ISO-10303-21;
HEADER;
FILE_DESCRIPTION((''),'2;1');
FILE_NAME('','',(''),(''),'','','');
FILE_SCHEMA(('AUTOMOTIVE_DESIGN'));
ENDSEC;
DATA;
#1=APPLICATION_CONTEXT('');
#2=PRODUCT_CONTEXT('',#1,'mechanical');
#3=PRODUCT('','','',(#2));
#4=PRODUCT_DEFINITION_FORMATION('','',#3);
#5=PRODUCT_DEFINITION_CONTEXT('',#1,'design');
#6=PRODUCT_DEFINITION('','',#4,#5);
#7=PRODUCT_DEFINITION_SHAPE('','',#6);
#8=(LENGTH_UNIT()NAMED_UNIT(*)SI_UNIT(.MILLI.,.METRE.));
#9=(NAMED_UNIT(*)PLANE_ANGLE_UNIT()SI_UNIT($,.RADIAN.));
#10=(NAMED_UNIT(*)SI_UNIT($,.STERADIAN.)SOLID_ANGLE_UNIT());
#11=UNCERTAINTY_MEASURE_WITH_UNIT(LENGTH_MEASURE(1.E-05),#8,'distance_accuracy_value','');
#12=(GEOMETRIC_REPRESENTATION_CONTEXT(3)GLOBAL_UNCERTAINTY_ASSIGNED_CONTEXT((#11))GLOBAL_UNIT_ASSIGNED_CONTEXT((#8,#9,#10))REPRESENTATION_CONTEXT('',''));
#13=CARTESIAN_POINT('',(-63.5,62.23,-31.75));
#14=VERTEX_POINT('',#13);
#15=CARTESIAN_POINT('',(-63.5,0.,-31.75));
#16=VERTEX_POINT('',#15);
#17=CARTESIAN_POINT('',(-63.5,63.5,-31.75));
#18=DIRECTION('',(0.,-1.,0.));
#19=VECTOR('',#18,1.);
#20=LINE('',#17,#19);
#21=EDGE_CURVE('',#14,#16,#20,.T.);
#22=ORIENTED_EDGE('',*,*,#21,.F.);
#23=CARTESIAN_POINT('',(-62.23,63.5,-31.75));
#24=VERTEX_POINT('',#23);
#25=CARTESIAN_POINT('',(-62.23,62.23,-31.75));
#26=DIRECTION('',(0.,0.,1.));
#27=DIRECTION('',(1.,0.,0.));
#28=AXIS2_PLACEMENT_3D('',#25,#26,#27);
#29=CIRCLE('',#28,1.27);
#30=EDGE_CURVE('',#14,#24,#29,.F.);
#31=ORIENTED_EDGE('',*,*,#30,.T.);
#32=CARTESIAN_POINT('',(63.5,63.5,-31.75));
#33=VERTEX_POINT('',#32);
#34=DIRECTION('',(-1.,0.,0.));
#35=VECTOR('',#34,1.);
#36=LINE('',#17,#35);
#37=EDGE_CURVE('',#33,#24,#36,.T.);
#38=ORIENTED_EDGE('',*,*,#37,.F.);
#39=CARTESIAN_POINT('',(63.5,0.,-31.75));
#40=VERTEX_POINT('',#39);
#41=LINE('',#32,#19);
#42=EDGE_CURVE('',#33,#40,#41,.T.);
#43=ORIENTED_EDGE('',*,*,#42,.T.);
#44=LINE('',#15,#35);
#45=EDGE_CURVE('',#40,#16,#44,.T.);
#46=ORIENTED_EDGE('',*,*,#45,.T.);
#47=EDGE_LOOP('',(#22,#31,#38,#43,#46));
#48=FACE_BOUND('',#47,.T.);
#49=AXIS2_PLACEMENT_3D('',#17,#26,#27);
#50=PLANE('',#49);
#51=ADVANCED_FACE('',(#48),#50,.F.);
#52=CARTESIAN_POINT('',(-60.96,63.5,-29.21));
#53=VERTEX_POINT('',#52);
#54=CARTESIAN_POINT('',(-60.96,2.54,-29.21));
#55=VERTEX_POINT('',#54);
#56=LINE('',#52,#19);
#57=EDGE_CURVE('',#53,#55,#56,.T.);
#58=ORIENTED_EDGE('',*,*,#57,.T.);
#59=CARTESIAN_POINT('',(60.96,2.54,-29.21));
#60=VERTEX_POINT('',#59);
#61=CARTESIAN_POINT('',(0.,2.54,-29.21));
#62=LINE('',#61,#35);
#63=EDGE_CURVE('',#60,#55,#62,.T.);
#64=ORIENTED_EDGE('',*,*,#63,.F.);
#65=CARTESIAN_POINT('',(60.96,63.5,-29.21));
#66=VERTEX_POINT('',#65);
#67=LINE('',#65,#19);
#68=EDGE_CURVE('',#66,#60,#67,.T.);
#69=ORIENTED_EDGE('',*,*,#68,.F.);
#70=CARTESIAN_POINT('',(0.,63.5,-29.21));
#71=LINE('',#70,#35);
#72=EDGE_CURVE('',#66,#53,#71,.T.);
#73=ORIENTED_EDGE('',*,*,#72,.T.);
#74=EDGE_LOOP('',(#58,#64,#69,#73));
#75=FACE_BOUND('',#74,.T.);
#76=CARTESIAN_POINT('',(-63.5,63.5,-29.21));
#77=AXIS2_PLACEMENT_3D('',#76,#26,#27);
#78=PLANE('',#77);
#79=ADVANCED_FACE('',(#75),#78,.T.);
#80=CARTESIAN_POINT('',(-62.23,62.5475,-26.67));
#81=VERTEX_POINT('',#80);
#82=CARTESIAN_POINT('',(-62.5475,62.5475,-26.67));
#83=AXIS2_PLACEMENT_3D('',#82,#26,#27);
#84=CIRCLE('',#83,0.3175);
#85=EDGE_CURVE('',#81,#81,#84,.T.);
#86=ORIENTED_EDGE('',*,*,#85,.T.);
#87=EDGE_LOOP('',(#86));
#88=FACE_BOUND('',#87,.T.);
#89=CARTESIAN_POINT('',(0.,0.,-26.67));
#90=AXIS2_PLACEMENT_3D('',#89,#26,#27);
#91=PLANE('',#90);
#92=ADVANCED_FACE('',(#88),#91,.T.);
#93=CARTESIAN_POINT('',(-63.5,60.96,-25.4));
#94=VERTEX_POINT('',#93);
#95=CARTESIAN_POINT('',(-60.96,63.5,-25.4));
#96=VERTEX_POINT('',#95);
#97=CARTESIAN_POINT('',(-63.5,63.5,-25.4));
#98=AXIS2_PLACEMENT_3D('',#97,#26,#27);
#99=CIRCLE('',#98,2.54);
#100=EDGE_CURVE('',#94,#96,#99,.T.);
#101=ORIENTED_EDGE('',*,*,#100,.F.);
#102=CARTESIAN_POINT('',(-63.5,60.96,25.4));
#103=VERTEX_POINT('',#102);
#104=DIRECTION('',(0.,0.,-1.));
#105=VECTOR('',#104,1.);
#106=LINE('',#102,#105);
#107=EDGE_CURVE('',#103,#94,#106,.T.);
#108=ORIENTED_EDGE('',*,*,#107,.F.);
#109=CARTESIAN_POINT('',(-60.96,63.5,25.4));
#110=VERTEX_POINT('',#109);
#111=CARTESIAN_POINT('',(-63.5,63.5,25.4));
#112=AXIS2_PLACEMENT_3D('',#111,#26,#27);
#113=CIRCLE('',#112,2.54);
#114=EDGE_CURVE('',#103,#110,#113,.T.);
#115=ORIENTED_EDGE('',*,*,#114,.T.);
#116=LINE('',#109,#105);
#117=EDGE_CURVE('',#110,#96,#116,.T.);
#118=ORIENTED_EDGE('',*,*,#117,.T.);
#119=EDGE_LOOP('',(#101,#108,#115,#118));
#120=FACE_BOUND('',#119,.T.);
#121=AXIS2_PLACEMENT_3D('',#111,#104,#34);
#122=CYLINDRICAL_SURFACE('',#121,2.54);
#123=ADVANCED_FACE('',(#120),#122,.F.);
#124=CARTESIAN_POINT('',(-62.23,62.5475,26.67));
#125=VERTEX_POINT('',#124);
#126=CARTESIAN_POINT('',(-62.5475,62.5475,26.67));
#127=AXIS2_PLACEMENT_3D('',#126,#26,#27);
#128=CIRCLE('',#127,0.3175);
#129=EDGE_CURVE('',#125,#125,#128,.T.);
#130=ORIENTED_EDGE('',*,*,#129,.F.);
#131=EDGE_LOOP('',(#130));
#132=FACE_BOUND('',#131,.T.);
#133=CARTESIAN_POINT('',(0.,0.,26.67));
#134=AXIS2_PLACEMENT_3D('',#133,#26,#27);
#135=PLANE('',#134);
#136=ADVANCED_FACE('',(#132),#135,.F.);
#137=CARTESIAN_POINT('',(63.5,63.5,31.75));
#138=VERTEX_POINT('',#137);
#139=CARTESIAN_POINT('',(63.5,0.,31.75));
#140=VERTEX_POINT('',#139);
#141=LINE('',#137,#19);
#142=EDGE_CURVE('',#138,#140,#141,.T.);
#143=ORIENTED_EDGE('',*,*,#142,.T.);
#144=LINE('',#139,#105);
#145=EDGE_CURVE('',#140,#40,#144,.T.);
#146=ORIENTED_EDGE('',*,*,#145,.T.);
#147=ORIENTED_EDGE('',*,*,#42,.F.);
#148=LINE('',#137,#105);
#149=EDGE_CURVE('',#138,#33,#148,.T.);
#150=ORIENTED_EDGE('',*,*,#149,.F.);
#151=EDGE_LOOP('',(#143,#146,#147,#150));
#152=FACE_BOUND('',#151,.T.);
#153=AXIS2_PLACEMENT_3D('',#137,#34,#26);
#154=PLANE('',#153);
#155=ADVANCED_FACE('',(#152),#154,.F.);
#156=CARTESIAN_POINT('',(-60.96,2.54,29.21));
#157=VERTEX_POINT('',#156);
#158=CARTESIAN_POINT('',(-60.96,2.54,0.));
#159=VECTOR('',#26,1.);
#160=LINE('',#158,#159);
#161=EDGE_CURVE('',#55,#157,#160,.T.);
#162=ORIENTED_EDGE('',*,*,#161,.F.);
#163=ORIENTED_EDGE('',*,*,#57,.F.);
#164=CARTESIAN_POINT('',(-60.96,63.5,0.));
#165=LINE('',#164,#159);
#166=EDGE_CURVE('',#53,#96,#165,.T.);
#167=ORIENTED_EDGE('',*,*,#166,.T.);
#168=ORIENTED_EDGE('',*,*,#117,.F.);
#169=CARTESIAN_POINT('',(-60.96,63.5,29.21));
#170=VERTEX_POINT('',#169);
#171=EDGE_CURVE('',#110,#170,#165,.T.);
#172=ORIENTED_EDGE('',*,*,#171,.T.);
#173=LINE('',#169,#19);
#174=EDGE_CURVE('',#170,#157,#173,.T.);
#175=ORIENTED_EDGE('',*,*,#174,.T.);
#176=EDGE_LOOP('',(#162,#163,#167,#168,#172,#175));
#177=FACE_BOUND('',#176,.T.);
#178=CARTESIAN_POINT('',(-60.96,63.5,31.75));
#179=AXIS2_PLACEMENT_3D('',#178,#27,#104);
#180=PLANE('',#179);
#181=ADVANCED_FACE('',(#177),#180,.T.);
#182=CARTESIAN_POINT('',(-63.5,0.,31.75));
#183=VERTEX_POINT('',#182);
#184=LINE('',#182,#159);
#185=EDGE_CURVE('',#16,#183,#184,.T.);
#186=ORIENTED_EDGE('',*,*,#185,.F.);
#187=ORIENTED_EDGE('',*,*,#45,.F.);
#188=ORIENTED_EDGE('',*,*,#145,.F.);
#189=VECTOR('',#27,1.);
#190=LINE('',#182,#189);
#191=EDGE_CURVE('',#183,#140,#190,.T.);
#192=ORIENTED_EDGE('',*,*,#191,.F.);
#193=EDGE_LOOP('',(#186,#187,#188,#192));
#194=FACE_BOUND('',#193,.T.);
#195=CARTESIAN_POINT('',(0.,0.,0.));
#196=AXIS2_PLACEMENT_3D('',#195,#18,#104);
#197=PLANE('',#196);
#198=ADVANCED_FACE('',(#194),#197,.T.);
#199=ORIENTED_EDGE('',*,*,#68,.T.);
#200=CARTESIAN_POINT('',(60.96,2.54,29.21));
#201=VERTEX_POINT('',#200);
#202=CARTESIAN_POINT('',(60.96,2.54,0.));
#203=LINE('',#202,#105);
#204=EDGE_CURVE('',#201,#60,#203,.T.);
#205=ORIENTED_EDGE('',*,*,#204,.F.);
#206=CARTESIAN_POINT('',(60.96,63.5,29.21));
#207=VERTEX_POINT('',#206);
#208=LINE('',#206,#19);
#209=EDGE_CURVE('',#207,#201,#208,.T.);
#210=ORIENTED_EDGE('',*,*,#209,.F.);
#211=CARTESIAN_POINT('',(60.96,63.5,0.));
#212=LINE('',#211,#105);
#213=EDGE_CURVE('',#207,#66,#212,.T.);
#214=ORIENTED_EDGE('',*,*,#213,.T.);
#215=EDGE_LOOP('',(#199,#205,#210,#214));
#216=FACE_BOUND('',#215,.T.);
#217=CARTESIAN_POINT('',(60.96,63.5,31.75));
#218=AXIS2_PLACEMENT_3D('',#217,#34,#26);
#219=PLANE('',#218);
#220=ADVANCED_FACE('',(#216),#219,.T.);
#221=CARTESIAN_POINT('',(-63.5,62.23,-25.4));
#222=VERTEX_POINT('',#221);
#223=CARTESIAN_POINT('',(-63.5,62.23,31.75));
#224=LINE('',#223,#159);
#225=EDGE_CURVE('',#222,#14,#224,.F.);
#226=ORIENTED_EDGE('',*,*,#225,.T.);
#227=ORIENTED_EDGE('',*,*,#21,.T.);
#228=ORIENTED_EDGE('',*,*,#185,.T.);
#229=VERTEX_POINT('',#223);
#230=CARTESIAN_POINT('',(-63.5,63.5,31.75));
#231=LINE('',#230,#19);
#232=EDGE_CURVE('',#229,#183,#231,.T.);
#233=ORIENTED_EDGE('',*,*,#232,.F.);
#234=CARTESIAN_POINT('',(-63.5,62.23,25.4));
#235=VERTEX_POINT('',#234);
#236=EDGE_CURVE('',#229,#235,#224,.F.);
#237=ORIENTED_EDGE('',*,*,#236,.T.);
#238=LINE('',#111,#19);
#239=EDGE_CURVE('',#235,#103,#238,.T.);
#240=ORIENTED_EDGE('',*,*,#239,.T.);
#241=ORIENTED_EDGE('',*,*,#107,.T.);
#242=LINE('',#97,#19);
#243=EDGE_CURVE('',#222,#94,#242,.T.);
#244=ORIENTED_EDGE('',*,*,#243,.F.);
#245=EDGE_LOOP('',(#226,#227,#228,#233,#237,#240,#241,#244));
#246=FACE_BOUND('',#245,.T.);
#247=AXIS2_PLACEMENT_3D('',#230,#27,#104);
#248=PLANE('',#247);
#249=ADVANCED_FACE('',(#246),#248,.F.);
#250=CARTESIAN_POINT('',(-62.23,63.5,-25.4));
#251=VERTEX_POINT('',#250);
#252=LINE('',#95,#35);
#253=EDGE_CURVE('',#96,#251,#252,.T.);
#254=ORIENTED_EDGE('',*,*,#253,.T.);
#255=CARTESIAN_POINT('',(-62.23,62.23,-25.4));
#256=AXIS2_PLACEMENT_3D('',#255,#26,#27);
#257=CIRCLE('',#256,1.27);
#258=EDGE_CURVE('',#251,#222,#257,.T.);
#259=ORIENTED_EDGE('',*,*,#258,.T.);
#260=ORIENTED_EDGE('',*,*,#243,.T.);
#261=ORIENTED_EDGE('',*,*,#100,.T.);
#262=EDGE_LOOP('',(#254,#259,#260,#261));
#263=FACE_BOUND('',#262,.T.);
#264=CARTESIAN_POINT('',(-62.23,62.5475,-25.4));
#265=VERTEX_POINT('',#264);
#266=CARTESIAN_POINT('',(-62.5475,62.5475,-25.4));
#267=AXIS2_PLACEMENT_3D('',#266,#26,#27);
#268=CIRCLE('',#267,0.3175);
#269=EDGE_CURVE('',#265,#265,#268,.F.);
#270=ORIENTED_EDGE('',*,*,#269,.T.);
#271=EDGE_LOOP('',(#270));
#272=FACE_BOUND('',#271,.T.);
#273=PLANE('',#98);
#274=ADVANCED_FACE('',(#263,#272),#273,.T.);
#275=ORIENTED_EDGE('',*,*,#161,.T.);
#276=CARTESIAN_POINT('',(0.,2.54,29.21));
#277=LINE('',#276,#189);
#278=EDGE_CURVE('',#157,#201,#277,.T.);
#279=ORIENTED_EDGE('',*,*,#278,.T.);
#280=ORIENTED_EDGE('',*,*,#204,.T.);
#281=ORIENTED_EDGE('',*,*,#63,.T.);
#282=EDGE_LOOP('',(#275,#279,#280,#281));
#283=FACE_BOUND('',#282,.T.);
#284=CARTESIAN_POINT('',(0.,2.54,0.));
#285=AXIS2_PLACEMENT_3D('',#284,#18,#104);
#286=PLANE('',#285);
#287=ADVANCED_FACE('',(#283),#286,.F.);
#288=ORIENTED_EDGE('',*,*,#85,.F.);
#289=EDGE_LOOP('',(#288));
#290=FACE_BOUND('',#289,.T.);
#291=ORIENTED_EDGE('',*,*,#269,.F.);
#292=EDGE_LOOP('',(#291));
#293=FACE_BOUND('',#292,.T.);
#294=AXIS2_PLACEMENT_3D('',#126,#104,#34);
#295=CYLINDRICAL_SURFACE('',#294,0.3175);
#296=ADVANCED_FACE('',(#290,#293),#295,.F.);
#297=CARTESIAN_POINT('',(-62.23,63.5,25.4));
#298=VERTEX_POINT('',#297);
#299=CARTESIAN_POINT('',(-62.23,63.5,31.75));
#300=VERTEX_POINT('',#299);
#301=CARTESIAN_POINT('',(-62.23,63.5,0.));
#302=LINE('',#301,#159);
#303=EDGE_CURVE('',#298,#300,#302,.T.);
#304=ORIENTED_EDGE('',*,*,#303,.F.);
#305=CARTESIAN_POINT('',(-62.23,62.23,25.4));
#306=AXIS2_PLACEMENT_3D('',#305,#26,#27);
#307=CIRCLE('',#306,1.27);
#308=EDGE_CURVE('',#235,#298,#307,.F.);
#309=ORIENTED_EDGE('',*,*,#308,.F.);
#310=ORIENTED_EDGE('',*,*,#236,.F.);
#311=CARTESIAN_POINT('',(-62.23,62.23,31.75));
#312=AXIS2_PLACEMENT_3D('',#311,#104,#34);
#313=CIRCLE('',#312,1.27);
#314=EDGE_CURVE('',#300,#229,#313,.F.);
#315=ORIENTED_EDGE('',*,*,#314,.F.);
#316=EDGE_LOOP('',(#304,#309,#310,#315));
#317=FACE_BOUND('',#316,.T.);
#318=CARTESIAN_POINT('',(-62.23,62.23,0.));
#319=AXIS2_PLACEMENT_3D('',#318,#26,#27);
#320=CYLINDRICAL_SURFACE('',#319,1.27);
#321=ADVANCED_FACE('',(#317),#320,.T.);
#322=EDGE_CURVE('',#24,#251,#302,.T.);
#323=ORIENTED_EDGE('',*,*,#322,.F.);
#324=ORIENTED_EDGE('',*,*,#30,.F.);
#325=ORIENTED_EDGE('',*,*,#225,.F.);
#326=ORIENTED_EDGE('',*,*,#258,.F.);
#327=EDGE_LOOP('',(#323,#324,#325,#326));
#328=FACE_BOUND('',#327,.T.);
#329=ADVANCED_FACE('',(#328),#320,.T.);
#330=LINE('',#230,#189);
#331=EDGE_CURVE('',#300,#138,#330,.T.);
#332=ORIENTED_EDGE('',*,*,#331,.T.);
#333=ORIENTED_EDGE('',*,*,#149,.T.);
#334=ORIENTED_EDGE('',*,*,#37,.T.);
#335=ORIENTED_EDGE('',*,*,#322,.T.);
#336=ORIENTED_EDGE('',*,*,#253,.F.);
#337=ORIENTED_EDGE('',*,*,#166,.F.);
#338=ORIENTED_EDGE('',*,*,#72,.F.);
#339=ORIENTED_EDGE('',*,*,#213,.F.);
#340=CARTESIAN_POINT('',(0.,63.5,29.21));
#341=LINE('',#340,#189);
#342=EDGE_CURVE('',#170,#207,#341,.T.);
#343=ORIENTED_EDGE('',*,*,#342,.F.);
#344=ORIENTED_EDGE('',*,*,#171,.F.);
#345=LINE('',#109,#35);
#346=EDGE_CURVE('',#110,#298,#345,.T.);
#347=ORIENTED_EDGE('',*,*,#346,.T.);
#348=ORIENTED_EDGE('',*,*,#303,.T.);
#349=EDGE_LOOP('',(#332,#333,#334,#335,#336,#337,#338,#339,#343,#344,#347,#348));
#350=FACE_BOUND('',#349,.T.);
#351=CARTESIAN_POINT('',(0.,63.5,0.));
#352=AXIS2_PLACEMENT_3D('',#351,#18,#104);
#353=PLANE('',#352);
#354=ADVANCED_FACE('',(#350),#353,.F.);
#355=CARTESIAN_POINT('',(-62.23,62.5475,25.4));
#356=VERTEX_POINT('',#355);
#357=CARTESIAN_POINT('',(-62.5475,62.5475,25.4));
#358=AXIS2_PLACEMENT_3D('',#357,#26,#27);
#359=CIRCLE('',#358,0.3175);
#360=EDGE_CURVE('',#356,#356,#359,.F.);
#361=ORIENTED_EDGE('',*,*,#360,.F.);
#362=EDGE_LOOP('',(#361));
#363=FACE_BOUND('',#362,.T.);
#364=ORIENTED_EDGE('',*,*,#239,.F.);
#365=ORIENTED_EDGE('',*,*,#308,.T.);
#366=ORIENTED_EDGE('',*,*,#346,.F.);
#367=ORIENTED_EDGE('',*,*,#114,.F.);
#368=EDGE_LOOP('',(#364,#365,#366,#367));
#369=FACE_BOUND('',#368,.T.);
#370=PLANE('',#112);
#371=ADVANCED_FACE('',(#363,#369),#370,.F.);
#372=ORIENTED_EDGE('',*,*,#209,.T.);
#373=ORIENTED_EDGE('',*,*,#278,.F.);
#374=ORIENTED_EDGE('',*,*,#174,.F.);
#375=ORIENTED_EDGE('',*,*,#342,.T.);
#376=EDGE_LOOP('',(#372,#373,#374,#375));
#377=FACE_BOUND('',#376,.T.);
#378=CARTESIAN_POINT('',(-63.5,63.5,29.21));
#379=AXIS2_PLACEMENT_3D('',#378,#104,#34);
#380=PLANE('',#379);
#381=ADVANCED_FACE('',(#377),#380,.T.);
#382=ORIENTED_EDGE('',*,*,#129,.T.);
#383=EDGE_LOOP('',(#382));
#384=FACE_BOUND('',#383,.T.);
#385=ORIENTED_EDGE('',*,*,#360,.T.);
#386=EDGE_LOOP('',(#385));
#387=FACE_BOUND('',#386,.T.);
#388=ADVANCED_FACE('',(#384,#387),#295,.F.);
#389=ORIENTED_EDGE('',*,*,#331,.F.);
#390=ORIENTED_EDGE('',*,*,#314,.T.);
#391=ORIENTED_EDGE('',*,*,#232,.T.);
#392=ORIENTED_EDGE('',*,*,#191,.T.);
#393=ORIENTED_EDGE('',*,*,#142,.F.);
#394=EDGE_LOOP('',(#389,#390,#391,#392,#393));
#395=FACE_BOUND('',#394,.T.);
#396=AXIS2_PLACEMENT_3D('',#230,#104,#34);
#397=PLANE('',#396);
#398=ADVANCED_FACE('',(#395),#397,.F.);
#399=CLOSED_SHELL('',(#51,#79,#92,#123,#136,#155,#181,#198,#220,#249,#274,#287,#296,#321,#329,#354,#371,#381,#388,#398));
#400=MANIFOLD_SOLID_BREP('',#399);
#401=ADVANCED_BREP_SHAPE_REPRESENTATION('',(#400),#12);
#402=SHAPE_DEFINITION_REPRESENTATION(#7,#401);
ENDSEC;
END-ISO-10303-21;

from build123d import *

# Parameters (mm, degrees)
SKETCH2_W               = 127
SKETCH2_H               = 63.5
BOSS_EXTRUDE1_DEPTH     = 63.5
SHELL1_T                = -2.54
CUT_EXTRUDE1_DEPTH      = 25.4
CUT_EXTRUDE1_DEPTH_BACK = 25.4
CUT_EXTRUDE2_DEPTH      = 52.07
CUT_EXTRUDE2_DEPTH_BACK = 1.27
SKETCH5_R               = 0.3175
FILLET1_R               = 1.27


with BuildPart() as part:
    # Sketch2 → Boss-Extrude1 (new body)
    with BuildSketch(Plane(origin=(0, 0, 0), x_dir=(1, 0, 0), z_dir=(0, 1, 0))):
        Rectangle(SKETCH2_W, SKETCH2_H)
    extrude(amount=BOSS_EXTRUDE1_DEPTH)

    # Shell1
    shell1_openings = [part.faces().sort_by_distance(p)[0] for p in [
        (0, 63.5, 0),
    ]]
    offset(amount=SHELL1_T, openings=shell1_openings, kind=Kind.INTERSECTION)

    # Sketch4 → Cut-Extrude1 (cut, two sides: drawn at the far end of the back side and taken through both)
    with BuildSketch(Plane.XY.offset(-CUT_EXTRUDE1_DEPTH_BACK)):
        with BuildLine():
            Line((-60.96, 63.5), (-63.5, 63.5))
            Line((-63.5, 63.5), (-63.5, 60.96))
            ThreePointArc((-63.5, 60.96), (-61.703948776, 61.703948776), (-60.96, 63.5))
        make_face()
    extrude(amount=CUT_EXTRUDE1_DEPTH + CUT_EXTRUDE1_DEPTH_BACK, mode=Mode.SUBTRACT)

    # Sketch5 → Cut-Extrude2 (cut, two sides: drawn at the far end of the back side and taken through both)
    with BuildSketch(Plane.XY.offset(-25.4).offset(-CUT_EXTRUDE2_DEPTH_BACK)):
        with Locations((-62.5475, 62.5475)):
            Circle(SKETCH5_R)
    extrude(amount=CUT_EXTRUDE2_DEPTH + CUT_EXTRUDE2_DEPTH_BACK, mode=Mode.SUBTRACT)

    # Fillet1
    fillet1_edges = [part.edges().sort_by_distance(p)[0] for p in [
        (-63.5, 63.5, -28.575),
        (-63.5, 63.5, 28.575),
    ]]
    fillet(fillet1_edges, radius=FILLET1_R)


solid = part.part
